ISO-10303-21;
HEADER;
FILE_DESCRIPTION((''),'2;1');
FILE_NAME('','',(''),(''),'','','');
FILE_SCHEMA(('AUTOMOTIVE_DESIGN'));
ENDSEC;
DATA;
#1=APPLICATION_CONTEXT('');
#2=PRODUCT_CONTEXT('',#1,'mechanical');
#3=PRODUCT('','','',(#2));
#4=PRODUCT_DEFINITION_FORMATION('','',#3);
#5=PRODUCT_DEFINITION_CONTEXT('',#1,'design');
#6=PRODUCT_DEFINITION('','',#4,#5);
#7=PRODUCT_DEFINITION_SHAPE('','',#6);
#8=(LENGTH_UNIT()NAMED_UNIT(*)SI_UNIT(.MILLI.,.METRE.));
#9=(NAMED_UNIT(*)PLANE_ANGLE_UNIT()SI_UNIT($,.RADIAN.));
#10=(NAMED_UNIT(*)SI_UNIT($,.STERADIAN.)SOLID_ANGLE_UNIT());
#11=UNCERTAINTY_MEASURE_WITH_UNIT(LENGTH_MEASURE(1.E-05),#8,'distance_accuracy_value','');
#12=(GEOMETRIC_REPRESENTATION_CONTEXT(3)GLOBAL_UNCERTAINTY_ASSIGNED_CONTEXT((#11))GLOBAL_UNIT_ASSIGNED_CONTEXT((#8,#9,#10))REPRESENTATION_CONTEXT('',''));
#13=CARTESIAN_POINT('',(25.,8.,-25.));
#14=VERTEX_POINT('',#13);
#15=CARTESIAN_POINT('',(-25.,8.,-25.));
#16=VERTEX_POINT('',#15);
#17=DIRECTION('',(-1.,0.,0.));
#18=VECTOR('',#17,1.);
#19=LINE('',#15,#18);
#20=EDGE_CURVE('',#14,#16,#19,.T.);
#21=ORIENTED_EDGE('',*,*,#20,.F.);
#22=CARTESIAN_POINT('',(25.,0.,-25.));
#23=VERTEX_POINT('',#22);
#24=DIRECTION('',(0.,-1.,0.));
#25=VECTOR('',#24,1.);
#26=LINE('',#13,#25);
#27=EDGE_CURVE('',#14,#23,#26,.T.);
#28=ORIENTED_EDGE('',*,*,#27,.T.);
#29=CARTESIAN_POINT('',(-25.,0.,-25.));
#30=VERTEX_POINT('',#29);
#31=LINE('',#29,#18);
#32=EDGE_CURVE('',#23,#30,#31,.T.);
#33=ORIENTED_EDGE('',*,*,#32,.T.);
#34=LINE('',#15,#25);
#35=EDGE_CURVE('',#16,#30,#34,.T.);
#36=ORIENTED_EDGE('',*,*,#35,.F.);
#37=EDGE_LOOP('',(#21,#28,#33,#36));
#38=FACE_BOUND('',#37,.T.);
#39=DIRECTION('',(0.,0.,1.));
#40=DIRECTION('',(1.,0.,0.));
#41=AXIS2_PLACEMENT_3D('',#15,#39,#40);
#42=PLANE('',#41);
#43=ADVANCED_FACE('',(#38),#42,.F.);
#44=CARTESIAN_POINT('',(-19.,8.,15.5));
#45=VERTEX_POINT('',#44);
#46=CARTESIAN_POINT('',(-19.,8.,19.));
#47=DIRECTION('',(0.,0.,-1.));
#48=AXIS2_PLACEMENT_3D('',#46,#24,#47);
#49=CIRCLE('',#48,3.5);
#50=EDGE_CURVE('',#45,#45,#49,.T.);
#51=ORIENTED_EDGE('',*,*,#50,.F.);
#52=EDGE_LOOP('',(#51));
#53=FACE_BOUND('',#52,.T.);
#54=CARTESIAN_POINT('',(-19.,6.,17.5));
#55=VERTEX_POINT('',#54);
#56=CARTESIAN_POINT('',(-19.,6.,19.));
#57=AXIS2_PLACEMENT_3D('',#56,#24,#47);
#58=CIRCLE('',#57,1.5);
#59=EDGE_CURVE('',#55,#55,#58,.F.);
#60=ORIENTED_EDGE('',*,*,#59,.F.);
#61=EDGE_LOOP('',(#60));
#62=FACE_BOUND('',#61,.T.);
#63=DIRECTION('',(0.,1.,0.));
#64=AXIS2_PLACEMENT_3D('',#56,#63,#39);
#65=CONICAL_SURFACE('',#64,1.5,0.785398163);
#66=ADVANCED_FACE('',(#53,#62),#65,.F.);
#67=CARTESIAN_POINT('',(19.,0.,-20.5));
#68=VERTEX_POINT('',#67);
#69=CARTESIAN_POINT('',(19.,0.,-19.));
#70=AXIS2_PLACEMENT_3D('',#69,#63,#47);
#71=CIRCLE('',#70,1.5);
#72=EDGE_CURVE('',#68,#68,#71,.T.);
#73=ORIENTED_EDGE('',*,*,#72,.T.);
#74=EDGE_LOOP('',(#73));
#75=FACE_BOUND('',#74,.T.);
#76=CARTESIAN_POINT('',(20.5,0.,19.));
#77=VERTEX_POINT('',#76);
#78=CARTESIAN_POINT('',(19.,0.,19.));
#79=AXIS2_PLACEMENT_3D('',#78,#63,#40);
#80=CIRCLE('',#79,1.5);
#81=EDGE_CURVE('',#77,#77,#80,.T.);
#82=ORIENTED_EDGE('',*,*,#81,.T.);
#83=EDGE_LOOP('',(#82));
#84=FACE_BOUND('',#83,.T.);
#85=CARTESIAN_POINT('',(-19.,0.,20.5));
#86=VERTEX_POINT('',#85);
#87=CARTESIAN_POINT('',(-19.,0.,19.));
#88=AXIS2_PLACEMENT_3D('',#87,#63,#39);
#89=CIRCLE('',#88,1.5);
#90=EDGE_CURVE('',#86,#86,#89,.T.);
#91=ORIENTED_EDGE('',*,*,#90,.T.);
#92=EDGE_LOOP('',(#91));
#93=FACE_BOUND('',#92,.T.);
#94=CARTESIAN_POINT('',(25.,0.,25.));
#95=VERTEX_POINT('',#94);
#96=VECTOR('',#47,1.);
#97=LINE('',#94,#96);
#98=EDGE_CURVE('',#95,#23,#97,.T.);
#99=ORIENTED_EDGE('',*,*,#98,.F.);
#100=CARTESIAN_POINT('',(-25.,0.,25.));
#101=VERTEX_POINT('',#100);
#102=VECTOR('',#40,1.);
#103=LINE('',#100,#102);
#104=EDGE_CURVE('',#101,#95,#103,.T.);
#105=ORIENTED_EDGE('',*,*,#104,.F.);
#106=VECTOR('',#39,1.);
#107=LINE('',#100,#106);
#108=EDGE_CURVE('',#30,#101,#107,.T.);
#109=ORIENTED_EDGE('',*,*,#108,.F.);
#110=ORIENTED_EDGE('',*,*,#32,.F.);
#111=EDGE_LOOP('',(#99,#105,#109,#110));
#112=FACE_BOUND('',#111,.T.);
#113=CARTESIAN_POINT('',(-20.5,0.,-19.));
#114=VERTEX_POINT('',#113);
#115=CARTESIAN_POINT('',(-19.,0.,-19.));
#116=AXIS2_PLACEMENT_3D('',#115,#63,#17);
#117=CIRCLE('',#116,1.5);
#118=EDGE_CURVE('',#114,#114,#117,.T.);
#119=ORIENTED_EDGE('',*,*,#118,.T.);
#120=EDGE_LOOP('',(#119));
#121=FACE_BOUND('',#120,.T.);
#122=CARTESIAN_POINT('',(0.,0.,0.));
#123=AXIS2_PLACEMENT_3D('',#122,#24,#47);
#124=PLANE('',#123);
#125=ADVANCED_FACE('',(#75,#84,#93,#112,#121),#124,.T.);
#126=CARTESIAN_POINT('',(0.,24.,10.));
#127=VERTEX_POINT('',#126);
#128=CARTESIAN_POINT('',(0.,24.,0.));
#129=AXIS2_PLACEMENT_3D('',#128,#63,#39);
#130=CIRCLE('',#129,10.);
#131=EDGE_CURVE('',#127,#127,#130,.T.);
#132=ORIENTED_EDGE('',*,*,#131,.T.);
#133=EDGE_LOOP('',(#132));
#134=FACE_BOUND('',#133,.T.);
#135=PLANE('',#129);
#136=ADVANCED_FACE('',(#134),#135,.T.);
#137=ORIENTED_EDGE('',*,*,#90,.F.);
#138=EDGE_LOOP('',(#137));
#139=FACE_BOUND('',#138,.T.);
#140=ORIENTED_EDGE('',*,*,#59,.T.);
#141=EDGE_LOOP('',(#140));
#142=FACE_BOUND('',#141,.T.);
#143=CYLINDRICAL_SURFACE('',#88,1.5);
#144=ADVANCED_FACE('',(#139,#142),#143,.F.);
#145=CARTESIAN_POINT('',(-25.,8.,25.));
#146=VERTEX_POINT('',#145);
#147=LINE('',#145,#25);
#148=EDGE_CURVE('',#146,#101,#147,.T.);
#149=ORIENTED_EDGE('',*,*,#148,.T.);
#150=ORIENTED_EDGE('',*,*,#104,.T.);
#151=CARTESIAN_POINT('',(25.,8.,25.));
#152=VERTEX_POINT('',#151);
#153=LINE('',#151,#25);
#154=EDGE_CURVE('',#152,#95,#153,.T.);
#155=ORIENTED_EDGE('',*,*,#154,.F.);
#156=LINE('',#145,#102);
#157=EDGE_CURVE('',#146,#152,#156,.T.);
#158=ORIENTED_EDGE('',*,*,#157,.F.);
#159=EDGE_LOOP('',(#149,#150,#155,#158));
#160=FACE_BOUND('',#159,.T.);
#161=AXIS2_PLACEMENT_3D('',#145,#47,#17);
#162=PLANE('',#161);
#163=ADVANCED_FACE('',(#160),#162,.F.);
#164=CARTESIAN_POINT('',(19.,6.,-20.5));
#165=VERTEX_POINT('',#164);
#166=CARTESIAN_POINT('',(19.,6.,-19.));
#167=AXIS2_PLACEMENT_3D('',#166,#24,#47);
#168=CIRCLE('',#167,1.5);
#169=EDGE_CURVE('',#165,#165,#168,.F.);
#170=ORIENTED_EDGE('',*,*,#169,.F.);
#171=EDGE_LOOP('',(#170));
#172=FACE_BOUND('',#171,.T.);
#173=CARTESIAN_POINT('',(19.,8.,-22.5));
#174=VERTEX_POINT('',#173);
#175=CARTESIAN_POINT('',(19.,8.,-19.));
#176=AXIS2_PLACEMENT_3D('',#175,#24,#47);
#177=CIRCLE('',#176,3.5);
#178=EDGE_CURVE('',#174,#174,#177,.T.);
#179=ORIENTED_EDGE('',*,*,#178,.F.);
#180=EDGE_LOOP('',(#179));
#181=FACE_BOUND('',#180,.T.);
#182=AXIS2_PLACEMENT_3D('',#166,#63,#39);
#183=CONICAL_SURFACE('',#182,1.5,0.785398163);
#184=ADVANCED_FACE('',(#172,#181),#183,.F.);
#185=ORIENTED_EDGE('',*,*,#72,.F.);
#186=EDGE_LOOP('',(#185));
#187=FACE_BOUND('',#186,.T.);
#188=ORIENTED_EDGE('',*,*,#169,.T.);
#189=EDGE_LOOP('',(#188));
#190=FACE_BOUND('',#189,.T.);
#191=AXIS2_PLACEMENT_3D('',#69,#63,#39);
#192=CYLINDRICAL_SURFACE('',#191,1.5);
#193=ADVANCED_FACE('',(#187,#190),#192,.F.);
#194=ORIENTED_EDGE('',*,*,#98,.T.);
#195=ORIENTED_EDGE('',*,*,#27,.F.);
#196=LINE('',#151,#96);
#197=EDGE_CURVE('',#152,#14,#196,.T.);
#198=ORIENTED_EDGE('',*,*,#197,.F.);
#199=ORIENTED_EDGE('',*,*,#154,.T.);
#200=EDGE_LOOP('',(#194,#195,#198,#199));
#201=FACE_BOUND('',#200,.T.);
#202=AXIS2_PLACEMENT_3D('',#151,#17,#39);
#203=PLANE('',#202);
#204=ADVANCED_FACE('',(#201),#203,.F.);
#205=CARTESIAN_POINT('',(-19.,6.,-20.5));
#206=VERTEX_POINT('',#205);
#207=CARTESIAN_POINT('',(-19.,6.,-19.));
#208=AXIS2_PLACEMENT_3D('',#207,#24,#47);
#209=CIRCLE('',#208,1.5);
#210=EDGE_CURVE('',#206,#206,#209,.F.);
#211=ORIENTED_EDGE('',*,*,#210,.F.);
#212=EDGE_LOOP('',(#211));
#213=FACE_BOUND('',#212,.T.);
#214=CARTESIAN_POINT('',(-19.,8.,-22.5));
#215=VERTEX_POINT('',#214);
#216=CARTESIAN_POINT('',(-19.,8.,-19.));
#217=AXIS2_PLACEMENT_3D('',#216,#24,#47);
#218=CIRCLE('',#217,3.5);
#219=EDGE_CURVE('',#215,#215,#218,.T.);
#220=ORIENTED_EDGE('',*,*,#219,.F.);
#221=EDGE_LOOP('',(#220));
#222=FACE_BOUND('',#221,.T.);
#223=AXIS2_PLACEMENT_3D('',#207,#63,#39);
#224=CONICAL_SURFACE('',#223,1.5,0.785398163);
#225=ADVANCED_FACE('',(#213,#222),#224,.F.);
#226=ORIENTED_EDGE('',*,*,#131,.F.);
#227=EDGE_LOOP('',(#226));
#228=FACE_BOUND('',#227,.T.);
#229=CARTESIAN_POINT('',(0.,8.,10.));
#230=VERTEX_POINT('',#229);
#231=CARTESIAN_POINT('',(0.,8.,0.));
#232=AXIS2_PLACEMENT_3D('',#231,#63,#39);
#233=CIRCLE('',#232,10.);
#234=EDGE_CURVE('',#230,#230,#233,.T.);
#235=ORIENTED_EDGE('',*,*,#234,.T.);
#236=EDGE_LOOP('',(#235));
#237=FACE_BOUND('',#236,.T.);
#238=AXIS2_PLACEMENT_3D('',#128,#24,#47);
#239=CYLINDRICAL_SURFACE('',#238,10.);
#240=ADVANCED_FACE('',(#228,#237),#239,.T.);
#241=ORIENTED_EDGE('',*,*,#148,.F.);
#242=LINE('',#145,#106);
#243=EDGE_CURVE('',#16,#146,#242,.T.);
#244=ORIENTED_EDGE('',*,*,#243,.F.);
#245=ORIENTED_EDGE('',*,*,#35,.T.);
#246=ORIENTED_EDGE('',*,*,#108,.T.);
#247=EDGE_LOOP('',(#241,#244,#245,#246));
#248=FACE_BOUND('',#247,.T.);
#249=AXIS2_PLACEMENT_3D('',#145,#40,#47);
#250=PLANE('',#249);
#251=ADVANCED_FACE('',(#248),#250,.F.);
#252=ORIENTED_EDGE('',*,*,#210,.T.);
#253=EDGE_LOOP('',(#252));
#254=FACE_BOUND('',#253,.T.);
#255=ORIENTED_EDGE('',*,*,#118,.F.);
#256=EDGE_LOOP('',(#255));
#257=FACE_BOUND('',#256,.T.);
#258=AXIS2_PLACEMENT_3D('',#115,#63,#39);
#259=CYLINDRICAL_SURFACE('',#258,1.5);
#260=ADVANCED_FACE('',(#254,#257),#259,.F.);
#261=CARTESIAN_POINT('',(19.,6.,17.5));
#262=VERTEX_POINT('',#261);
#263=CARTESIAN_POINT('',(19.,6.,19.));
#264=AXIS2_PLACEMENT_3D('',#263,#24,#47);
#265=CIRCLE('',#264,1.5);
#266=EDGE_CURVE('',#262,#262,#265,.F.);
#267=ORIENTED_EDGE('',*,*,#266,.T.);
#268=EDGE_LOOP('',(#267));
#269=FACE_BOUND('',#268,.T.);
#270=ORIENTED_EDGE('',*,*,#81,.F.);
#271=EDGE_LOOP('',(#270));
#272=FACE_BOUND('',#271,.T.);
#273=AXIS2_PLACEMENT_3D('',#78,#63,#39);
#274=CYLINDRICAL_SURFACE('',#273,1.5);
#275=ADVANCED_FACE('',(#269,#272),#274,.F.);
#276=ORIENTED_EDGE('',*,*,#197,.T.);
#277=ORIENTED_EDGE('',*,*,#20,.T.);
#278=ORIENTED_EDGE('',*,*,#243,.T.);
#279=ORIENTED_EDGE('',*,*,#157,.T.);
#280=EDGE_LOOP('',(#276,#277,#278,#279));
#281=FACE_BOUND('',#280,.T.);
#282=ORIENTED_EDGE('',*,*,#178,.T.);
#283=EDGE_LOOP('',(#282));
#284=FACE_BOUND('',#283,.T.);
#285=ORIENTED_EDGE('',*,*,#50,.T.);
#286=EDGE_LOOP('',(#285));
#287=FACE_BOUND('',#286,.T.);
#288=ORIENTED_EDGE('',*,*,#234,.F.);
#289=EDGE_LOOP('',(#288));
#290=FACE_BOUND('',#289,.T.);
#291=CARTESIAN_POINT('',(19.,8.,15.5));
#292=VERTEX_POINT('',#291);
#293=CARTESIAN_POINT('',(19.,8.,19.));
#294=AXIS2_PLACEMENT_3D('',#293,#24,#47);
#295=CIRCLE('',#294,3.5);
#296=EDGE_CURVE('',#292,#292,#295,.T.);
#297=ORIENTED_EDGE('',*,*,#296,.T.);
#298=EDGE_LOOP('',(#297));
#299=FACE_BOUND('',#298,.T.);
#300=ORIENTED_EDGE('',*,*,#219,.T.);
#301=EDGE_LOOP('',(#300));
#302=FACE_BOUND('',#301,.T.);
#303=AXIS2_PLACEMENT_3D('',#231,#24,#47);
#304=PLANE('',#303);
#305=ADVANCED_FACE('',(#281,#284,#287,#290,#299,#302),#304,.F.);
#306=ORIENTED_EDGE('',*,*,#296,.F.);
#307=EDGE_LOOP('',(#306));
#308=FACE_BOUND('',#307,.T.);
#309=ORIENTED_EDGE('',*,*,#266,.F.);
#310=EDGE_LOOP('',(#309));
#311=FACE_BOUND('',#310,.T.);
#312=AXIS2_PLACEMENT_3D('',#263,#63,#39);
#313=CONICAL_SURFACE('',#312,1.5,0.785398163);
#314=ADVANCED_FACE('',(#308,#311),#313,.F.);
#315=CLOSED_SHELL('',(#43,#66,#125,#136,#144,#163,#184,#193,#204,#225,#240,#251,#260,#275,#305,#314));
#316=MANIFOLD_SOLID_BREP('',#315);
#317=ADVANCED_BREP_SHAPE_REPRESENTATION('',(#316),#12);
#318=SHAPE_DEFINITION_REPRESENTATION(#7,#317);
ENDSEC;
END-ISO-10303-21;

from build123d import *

# Parameters (mm, degrees)
SKETCH1_W                    = 50
SKETCH1_H                    = 50
BOSS_EXTRUDE1_DEPTH          = 8
SKETCH2_R                    = 10
BOSS_EXTRUDE2_DEPTH          = 16
SKETCH3_R                    = 1.5
CUT_EXTRUDE1_DEPTH           = 8
CHAMFER1_SIZE                = 2
CIRPATTERN3_COUNT            = 4
CHAMFER1_OF_CIRPATTERN3_SIZE = 2


with BuildPart() as part:
    # Sketch1 → Boss-Extrude1 (new body)
    with BuildSketch(Plane(origin=(0, 0, 0), x_dir=(1, 0, 0), z_dir=(0, 1, 0))):
        Rectangle(SKETCH1_W, SKETCH1_H)
    extrude(amount=BOSS_EXTRUDE1_DEPTH)

    # Sketch2 → Boss-Extrude2 (add)
    with BuildSketch(Plane(origin=(0, 8, 0), x_dir=(1, 0, 0), z_dir=(0, 1, 0))):
        with Locations(Location((0, 0, 0), (0, 0, 270))):
            Circle(SKETCH2_R)
    extrude(amount=BOSS_EXTRUDE2_DEPTH)

    # Sketch3 → Cut-Extrude1 (cut)
    with BuildSketch(Plane(origin=(0, 8, 0), x_dir=(1, 0, 0), z_dir=(0, 1, 0))):
        with Locations(Location((-19, -19, 0), (0, 0, 270))):
            Circle(SKETCH3_R)
    cut_extrude1 = extrude(amount=-CUT_EXTRUDE1_DEPTH, mode=Mode.SUBTRACT)

    # Chamfer1
    chamfer1_edges = [part.edges().sort_by_distance(p)[0] for p in [
        (-19, 8, 17.5),
    ]]
    chamfer(chamfer1_edges, length=CHAMFER1_SIZE)

    # CirPattern3: Cut-Extrude1 ×4 about axis
    cirpattern3_axis = Axis((0, 0, 0), (0, 1, 0))
    for i in range(1, CIRPATTERN3_COUNT):
        add(cut_extrude1.rotate(cirpattern3_axis, i * 360 / CIRPATTERN3_COUNT), mode=Mode.SUBTRACT)

    # Chamfer1 of CirPattern3
    chamfer1_of_cirpattern3_edges = [part.edges().sort_by_distance(p)[0] for p in [
        (17.5, 8, 19),
        (19, 8, -17.5),
        (-17.5, 8, -19),
    ]]
    chamfer(chamfer1_of_cirpattern3_edges, length=CHAMFER1_OF_CIRPATTERN3_SIZE)


solid = part.part
